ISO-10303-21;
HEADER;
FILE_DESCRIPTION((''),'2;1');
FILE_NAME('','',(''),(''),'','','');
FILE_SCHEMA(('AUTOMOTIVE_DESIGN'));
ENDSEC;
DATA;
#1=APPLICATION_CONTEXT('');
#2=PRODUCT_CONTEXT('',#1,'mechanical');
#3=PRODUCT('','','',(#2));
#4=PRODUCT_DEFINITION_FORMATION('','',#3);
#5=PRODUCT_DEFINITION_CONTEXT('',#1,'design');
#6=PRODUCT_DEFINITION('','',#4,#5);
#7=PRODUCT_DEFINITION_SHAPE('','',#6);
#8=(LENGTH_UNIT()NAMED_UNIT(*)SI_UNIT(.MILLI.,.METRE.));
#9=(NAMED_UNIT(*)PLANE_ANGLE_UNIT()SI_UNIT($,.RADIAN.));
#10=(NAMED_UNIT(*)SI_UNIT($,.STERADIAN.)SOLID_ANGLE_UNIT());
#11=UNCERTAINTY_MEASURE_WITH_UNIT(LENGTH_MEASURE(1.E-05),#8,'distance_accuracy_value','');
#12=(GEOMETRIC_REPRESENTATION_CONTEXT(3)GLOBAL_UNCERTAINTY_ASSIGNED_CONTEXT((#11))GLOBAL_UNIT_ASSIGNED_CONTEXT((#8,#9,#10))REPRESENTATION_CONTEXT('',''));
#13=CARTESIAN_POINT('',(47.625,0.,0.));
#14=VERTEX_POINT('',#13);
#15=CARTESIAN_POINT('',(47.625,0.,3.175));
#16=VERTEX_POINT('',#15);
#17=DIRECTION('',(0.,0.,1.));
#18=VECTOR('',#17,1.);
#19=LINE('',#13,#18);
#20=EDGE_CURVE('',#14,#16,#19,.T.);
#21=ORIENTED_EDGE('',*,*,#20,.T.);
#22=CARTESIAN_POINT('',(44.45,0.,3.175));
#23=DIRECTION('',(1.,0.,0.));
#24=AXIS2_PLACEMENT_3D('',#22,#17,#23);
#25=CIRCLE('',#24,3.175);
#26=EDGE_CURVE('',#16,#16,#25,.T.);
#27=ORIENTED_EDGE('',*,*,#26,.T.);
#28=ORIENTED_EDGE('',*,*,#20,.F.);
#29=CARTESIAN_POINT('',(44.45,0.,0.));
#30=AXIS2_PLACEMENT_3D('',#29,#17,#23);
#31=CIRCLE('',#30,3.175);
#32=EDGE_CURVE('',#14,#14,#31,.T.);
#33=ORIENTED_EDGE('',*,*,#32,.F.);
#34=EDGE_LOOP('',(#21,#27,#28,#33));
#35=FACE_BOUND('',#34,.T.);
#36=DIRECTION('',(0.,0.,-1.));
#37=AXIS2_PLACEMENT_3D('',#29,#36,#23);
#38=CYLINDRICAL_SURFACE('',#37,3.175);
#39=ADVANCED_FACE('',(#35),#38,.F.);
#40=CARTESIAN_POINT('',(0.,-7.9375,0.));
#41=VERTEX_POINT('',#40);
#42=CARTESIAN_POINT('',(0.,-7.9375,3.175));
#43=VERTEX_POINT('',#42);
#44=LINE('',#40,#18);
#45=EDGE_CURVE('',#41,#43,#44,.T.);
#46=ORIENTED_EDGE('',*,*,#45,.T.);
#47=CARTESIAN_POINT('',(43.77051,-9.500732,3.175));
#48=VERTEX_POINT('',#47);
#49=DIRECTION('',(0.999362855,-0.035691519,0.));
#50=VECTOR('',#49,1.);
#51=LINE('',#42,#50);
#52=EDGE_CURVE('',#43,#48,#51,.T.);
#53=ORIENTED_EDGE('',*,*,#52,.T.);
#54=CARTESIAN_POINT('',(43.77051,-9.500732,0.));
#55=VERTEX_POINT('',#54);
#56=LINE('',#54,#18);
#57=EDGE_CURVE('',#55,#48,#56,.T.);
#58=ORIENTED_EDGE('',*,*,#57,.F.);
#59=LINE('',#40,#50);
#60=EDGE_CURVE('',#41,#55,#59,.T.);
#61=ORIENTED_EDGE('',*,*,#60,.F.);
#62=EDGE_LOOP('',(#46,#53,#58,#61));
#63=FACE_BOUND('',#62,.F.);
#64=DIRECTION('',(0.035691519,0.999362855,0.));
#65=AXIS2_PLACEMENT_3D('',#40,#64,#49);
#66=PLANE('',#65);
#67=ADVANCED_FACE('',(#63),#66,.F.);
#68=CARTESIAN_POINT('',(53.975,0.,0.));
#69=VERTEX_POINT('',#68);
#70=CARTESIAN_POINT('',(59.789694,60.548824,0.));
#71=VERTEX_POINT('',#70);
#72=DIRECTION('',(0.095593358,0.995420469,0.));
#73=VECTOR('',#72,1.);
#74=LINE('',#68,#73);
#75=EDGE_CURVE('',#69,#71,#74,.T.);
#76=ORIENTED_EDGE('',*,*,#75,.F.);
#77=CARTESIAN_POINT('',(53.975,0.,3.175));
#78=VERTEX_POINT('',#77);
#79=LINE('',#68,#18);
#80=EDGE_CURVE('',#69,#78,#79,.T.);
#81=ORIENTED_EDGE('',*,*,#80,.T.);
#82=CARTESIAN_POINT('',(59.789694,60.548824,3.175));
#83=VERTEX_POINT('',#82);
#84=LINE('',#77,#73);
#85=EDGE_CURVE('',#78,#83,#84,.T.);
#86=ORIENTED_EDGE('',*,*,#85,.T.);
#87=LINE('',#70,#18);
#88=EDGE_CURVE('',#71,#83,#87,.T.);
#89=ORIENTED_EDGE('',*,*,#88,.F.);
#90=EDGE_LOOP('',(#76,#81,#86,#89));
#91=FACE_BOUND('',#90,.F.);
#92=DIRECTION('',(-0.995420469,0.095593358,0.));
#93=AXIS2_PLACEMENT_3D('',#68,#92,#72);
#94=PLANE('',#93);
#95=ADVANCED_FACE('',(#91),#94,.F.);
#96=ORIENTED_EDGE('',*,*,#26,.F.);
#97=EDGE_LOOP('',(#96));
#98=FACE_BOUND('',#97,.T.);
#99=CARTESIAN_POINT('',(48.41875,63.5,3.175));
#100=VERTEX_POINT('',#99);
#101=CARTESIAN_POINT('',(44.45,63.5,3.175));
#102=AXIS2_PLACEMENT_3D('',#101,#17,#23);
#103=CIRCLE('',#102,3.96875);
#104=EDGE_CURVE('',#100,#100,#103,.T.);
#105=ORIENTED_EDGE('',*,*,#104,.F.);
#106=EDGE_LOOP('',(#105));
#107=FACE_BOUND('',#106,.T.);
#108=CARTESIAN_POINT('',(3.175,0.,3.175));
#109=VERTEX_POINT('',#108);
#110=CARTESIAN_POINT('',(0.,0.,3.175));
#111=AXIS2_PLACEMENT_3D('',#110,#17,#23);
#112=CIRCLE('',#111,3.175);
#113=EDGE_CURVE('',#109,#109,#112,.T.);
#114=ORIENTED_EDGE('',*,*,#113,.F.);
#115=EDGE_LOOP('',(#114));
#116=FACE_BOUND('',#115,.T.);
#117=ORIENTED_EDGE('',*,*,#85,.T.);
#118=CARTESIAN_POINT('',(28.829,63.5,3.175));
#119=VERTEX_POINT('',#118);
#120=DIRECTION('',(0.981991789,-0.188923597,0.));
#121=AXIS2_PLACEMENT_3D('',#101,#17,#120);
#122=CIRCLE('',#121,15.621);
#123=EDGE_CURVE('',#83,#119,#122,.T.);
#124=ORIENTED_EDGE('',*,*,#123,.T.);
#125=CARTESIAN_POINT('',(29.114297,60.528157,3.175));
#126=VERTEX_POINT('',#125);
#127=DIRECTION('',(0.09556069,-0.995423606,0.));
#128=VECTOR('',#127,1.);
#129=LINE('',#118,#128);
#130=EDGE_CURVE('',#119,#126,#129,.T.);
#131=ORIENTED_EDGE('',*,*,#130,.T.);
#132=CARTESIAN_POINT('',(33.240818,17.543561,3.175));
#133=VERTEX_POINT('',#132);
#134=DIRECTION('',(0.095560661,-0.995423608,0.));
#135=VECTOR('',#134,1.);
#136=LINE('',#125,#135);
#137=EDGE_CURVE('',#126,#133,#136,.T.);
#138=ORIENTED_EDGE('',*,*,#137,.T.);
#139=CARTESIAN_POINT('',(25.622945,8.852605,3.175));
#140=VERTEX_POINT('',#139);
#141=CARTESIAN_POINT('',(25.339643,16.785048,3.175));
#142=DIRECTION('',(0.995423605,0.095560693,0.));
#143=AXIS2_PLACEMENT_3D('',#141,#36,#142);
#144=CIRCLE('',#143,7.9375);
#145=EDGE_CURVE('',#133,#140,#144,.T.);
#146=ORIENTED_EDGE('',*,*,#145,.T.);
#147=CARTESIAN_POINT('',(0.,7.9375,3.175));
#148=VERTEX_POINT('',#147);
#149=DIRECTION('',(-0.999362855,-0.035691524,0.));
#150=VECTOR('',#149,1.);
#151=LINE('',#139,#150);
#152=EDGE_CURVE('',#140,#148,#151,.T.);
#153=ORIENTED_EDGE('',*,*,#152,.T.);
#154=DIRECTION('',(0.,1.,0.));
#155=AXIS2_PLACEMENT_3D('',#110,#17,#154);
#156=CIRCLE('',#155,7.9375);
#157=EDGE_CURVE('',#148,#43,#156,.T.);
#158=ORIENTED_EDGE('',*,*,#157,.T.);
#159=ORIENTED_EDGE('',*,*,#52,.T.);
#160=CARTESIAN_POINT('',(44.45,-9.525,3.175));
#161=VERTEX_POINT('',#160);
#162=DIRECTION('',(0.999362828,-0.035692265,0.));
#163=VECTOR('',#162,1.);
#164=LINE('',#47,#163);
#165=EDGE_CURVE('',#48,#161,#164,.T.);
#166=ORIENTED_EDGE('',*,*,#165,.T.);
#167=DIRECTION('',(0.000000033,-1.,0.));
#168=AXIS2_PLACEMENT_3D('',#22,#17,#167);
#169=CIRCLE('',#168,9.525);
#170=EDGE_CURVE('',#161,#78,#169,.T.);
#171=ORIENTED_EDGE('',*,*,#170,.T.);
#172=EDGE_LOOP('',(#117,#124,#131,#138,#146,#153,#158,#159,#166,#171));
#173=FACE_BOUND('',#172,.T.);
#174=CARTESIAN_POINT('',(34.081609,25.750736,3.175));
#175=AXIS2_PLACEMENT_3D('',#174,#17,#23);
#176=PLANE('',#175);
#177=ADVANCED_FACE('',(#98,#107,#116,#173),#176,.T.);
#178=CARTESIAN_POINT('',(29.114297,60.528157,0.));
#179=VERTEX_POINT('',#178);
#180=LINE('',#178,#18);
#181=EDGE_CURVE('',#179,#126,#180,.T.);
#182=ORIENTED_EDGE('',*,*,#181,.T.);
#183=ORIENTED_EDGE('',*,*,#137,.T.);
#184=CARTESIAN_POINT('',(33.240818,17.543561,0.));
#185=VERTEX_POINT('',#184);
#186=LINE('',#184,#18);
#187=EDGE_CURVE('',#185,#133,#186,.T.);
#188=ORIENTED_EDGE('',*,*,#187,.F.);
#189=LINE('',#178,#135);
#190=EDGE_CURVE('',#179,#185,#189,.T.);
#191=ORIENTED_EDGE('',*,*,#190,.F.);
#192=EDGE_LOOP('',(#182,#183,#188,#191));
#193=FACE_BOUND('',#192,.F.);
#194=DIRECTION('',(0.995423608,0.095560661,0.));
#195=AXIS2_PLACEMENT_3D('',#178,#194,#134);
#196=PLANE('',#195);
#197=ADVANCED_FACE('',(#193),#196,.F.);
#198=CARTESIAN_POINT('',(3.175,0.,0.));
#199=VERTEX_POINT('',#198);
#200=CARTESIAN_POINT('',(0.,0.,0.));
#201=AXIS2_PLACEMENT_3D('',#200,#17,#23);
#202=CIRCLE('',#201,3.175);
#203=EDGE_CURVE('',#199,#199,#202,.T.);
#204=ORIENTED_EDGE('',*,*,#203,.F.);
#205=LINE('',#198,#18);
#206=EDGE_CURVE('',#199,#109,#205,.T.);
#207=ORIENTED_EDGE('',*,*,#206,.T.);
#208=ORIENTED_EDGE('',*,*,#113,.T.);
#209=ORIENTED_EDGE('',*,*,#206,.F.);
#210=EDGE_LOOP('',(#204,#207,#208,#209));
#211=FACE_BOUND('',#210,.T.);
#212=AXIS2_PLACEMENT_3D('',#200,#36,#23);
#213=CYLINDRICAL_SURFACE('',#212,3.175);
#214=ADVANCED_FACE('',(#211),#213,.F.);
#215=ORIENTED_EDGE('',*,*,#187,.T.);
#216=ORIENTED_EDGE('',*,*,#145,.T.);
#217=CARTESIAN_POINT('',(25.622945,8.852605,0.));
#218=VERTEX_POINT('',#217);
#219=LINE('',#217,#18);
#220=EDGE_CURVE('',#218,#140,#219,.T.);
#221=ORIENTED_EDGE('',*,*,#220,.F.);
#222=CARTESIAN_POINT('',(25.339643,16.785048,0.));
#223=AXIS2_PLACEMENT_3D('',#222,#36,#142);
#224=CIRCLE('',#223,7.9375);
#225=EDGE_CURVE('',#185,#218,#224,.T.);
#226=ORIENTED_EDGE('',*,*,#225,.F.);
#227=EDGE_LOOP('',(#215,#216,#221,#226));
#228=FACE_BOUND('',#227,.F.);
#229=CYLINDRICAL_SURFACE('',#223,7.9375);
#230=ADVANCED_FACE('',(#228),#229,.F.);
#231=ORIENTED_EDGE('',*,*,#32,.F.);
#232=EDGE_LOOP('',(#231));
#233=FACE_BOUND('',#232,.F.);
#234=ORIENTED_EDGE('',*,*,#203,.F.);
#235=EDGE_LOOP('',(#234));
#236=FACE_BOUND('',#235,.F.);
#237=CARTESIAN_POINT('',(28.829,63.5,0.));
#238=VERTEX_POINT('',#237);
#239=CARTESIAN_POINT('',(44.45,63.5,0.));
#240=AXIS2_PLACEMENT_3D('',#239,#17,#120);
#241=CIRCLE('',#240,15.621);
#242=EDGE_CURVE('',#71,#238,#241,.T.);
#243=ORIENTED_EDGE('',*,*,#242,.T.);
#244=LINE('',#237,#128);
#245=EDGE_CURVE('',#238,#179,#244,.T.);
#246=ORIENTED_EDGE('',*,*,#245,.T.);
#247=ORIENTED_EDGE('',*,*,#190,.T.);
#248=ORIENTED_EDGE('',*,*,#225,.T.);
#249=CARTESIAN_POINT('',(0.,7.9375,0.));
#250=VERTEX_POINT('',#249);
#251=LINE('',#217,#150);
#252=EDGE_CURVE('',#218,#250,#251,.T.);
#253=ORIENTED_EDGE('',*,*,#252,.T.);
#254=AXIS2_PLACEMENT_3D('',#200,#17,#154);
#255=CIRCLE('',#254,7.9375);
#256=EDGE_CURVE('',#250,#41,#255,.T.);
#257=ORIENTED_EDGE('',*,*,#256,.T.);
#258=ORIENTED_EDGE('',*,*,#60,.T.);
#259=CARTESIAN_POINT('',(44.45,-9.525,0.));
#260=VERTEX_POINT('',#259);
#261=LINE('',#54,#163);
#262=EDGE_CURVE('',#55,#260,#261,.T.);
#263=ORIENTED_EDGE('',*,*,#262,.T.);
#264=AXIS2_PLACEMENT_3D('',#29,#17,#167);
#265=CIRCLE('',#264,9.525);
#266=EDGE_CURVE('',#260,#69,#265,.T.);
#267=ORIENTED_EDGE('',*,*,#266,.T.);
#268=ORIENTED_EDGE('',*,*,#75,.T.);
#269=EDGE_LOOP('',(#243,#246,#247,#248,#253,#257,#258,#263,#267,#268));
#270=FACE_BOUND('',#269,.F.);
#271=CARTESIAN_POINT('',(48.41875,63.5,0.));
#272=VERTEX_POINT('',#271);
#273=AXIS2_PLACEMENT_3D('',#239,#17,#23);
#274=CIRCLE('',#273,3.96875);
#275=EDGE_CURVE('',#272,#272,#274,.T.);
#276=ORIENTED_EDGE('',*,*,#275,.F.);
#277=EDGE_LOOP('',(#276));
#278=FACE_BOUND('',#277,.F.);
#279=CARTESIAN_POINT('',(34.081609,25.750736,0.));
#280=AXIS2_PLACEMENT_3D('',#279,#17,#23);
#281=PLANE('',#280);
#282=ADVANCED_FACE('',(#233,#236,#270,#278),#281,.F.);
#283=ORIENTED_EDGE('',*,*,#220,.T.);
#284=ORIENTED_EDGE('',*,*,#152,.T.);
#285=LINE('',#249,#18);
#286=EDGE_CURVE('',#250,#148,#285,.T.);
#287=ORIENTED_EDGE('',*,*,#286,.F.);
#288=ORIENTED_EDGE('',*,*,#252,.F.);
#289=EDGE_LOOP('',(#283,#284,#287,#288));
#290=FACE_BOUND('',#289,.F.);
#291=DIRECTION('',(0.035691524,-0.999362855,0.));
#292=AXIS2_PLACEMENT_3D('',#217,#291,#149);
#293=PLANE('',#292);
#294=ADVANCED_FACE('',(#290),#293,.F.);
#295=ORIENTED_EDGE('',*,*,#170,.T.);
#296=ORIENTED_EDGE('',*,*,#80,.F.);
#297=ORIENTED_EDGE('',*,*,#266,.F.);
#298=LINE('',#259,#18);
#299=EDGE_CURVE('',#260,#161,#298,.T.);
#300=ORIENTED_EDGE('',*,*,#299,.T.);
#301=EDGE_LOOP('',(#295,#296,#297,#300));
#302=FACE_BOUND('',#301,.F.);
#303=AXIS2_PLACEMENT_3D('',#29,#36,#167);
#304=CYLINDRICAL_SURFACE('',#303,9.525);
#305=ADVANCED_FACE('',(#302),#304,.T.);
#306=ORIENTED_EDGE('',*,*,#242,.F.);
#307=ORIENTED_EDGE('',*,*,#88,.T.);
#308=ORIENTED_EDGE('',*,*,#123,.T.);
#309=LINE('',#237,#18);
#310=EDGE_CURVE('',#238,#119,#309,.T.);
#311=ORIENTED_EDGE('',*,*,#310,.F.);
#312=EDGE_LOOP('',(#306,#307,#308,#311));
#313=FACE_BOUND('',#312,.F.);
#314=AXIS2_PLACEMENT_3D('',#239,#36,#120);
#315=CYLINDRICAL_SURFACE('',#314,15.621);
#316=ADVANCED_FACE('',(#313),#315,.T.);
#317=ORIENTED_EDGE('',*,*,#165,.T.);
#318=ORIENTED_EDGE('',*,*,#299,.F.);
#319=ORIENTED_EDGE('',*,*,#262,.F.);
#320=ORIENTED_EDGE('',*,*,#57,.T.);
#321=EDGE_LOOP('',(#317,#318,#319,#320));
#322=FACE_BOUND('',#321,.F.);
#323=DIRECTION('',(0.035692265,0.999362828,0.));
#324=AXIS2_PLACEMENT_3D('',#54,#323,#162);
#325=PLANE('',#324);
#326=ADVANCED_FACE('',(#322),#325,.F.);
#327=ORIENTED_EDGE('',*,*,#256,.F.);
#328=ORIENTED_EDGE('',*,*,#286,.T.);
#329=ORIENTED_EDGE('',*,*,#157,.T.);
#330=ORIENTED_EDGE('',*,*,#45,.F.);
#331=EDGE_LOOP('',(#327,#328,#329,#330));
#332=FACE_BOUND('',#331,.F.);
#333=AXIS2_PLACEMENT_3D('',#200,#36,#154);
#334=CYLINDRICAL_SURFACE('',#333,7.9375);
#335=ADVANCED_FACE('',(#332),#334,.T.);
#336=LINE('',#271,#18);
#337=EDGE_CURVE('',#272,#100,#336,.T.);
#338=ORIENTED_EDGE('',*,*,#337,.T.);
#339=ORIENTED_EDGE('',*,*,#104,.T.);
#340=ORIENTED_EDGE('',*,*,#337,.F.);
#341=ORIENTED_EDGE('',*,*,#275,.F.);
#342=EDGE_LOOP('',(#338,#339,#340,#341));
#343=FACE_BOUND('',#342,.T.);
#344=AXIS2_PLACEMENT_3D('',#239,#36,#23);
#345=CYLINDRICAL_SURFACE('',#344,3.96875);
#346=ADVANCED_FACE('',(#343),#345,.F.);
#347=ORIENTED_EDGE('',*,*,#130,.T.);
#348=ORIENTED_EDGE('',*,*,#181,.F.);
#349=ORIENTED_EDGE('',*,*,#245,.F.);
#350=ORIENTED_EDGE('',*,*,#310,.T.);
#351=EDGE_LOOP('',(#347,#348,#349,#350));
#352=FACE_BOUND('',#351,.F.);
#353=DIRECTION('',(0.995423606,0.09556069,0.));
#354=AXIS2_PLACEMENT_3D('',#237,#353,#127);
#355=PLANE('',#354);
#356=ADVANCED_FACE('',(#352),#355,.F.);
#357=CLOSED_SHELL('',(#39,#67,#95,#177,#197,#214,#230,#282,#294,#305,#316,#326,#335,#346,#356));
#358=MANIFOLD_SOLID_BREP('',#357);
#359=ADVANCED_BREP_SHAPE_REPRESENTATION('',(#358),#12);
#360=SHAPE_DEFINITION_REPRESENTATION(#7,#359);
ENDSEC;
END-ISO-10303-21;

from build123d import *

# Parameters (mm, degrees)
F0_R     = 3.175
F0_R_2   = 3.96875
F1_DEPTH = 3.175


with BuildPart() as f1:
    # F0 (on Top) → F1 (new body)
    with BuildSketch(Plane.XY):
        with BuildLine():
            Line((25.622945, 8.852605), (0, 7.9375))
            ThreePointArc((0, 7.9375), (-7.9375, 0), (0, -7.9375))
            Line((0, -7.9375), (43.77051, -9.500732))
            Line((43.77051, -9.500732), (44.45, -9.525))
            ThreePointArc((44.45, -9.525), (51.185192, -6.735192), (53.975, 0))
            Line((53.975, 0), (59.789694, 60.548824))
            ThreePointArc((59.789694, 60.548824), (45.932277, 79.050514), (28.829, 63.5))
            Line((28.829, 63.5), (29.114297, 60.528157))
            Line((29.114297, 60.528157), (33.240818, 17.543561))
            ThreePointArc((33.240818, 17.543561), (31.308696, 11.553001), (25.622945, 8.852605))
        make_face()
        Circle(F0_R, mode=Mode.SUBTRACT)
        with Locations((44.45, 0)):
            Circle(F0_R, mode=Mode.SUBTRACT)
        with Locations((44.45, 63.5)):
            Circle(F0_R_2, mode=Mode.SUBTRACT)
    extrude(amount=F1_DEPTH)


solid = f1.part
